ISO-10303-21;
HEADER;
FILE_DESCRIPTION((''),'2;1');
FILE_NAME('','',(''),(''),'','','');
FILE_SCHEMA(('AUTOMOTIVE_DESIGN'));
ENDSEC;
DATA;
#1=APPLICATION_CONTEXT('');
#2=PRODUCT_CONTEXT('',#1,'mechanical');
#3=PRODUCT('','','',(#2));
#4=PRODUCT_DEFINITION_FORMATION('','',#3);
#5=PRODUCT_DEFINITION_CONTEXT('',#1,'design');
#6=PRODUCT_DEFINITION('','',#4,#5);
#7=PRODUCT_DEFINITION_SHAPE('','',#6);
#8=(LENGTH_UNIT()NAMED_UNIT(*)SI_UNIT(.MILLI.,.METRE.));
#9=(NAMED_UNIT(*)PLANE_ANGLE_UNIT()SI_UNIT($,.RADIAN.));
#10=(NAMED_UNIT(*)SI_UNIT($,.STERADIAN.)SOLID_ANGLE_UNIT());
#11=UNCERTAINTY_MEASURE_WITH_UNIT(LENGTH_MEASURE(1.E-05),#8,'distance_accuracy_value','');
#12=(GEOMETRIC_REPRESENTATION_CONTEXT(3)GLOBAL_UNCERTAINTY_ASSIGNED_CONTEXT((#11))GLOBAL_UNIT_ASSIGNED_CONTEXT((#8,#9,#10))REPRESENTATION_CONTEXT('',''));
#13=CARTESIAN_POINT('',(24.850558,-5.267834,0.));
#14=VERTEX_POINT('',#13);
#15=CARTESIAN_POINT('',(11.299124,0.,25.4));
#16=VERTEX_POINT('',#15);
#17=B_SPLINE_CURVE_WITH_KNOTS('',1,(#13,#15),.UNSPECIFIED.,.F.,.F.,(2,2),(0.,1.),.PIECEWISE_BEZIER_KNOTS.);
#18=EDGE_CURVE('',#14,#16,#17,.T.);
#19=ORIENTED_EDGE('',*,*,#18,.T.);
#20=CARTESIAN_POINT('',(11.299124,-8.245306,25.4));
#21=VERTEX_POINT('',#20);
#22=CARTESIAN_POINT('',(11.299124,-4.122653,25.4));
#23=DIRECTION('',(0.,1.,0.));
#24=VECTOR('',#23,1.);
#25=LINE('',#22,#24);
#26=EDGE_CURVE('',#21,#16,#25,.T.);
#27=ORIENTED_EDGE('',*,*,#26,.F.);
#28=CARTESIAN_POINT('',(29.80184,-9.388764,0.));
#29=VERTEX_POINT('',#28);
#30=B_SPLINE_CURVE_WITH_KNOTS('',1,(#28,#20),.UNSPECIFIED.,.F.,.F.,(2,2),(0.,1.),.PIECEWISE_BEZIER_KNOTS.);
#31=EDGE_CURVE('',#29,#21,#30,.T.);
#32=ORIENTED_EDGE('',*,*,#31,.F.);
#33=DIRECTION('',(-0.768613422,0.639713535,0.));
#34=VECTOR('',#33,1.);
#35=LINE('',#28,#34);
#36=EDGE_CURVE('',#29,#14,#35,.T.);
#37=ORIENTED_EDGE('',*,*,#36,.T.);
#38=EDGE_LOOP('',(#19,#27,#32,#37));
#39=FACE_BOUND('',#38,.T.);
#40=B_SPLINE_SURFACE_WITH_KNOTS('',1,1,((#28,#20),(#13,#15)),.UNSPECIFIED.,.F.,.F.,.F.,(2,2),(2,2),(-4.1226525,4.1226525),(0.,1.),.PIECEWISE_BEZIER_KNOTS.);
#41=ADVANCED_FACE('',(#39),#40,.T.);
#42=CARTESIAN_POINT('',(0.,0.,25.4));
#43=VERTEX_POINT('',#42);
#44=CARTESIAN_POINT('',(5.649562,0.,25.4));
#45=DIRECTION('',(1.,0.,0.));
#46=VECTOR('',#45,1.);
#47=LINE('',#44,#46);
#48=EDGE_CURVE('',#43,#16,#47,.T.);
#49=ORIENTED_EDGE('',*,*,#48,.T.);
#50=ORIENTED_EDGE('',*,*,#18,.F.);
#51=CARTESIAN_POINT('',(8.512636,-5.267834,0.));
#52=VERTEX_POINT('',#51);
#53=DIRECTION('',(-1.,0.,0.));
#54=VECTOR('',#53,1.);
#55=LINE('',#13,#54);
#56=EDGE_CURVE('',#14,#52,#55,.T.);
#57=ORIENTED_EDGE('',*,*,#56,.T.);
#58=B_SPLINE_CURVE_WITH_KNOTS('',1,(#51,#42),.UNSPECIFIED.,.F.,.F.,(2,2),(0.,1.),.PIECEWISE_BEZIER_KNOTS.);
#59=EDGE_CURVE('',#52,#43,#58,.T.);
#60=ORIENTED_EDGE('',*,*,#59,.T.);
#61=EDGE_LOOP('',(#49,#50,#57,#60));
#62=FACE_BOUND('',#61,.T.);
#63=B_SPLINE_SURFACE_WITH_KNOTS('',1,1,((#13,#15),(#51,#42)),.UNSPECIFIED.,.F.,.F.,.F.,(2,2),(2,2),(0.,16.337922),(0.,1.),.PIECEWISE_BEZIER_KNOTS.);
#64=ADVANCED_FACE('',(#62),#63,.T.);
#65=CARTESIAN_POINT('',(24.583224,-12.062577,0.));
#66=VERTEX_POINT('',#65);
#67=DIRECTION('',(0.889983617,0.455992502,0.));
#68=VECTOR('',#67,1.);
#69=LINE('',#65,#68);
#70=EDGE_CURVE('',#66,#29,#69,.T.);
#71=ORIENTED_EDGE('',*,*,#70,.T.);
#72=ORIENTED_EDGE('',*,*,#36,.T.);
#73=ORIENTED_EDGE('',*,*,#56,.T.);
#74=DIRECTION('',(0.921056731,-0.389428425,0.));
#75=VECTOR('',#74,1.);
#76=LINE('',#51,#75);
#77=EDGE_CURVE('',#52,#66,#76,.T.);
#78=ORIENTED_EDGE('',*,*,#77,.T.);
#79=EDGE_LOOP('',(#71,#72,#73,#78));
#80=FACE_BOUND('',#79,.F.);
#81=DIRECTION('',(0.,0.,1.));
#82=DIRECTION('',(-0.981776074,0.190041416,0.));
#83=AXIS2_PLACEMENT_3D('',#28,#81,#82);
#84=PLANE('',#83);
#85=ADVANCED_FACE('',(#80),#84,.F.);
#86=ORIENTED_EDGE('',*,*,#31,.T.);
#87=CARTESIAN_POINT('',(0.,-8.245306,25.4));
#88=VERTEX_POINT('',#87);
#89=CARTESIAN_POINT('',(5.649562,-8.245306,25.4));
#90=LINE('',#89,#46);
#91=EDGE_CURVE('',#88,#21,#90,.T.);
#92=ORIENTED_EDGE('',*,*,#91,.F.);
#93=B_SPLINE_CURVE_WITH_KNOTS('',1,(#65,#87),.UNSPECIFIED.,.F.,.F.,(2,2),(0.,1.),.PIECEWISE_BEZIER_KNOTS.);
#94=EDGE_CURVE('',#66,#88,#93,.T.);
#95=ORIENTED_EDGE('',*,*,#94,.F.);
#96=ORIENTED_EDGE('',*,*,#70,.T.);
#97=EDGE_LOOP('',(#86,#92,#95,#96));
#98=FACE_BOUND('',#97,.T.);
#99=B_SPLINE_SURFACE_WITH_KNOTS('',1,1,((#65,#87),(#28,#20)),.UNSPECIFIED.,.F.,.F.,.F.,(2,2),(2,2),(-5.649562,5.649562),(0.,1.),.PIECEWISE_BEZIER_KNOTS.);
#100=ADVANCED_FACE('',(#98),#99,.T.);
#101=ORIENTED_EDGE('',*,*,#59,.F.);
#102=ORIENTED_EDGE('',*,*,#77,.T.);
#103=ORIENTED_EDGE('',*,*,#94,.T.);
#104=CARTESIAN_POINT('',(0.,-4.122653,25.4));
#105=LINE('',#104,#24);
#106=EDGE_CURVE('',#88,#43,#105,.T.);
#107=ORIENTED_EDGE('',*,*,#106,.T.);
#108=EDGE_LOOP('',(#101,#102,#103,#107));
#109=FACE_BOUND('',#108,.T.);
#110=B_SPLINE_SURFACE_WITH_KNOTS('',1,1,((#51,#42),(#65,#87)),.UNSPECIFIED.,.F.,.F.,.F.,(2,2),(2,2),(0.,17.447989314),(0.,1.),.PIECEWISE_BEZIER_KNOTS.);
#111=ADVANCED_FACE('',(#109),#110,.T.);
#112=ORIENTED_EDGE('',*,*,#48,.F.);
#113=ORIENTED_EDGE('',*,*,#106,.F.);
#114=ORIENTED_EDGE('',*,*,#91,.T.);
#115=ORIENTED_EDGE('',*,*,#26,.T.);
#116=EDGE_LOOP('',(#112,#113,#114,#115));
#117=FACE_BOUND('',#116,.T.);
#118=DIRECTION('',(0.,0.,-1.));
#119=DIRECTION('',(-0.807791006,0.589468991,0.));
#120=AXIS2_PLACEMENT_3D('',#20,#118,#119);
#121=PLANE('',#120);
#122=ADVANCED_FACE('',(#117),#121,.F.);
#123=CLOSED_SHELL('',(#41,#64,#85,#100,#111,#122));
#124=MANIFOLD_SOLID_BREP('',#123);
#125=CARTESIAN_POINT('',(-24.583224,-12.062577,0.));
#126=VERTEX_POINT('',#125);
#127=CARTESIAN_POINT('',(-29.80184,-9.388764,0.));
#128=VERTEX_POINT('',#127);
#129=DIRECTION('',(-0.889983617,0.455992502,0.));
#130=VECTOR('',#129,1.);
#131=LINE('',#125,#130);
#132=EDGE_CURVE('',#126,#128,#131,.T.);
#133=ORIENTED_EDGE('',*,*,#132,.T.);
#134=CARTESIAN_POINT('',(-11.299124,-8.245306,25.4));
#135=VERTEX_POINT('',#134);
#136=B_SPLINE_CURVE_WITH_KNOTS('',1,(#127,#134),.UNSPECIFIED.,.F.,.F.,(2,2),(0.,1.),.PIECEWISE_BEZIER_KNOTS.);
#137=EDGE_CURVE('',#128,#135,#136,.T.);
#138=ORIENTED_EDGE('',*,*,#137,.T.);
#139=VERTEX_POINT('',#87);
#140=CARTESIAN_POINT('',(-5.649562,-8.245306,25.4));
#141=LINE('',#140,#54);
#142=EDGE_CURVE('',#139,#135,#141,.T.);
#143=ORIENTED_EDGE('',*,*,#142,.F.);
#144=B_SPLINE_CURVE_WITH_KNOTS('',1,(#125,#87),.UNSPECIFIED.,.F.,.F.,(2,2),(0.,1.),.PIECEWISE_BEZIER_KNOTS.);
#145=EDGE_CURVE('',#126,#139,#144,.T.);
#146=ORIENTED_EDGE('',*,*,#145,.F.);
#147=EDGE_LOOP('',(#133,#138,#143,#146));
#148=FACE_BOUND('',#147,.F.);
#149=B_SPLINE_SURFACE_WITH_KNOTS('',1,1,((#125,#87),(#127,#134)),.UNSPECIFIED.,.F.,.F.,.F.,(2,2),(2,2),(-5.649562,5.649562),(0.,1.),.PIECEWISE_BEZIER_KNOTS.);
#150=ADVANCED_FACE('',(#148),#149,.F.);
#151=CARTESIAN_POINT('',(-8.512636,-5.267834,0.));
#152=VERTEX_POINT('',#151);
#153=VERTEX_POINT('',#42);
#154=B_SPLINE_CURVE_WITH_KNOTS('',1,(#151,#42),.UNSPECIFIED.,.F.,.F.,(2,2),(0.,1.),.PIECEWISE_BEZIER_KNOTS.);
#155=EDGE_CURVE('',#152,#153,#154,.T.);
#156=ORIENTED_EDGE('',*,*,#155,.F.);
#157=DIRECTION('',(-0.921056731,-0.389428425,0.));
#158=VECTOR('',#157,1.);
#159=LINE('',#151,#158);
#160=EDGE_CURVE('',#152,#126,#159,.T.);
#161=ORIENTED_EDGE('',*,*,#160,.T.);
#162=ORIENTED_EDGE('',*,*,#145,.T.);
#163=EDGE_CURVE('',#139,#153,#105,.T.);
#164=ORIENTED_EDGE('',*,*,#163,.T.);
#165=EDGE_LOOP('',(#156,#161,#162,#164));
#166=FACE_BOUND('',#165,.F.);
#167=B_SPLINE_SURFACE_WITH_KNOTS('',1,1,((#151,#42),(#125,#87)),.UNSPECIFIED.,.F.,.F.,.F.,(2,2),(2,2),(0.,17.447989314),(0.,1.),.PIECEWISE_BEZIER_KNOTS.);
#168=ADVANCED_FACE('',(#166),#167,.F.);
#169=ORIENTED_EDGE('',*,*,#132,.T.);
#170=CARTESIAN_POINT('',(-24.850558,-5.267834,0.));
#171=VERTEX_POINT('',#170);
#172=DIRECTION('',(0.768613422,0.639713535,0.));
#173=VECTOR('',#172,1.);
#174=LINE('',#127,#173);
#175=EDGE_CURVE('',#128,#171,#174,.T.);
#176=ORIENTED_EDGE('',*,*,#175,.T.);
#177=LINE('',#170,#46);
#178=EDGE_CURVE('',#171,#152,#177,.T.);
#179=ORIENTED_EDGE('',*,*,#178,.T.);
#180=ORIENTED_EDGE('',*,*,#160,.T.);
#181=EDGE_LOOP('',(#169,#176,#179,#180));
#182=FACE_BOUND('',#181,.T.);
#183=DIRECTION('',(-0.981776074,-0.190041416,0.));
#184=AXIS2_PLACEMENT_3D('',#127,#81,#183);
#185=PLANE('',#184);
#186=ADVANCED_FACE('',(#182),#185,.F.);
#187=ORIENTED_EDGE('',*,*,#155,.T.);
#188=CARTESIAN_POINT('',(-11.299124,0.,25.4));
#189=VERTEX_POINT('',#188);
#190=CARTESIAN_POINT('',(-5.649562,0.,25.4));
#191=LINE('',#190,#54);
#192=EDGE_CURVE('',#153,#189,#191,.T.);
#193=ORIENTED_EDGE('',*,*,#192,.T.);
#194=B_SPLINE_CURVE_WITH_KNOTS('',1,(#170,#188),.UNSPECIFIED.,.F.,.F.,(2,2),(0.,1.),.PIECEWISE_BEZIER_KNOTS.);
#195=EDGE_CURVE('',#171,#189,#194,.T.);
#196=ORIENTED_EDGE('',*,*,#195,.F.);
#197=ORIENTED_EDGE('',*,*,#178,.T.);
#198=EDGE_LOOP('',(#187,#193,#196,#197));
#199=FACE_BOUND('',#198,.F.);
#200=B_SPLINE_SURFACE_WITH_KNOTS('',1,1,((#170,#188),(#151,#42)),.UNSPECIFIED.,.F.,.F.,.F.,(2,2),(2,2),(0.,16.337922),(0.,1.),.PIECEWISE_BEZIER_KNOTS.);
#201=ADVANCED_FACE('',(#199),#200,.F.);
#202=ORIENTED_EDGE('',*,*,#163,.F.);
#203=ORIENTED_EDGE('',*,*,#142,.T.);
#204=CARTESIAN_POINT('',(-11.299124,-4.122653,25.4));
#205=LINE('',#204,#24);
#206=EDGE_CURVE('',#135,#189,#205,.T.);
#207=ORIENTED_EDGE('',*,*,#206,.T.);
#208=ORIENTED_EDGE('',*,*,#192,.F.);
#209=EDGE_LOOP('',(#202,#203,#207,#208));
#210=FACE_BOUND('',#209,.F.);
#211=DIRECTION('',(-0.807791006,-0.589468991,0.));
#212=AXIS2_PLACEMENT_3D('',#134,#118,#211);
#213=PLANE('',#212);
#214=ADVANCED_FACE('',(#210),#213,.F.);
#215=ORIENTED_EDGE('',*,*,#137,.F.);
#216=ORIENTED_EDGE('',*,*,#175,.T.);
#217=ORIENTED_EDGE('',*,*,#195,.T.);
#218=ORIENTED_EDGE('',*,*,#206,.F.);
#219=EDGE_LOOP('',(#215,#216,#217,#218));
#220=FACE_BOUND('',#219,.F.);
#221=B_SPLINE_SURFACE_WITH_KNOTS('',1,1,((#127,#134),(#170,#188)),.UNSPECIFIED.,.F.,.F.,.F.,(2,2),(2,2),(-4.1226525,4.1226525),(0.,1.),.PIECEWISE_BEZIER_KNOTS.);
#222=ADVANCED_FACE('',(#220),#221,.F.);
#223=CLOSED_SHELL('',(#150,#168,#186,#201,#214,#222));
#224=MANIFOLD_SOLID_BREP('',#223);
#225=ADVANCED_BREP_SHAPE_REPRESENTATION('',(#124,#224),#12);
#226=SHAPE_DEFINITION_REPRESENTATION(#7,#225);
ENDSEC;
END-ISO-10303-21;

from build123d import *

# Parameters (mm, degrees)
F2_W = 11.299124
F2_H = 8.245305


with BuildPart() as f3:
    # F0 (on Top) → F3 section 0
    with BuildSketch(Plane.XY):
        Polygon((29.80184, -9.388764), (24.850558, -5.267834), (8.512636, -5.267834), (24.583224, -12.062577), align=None)
    # F2 (on offset) → F3 section 1
    with BuildSketch(Plane.XY.offset(25.4)):
        with Locations((5.649562, -4.122653)):
            Rectangle(F2_W, F2_H)
    loft()


with BuildPart() as f4_1:
    # F4: instance of F3
    add(f3.part.mirror(Plane.YZ))


solid = Compound([f3.part, f4_1.part])
